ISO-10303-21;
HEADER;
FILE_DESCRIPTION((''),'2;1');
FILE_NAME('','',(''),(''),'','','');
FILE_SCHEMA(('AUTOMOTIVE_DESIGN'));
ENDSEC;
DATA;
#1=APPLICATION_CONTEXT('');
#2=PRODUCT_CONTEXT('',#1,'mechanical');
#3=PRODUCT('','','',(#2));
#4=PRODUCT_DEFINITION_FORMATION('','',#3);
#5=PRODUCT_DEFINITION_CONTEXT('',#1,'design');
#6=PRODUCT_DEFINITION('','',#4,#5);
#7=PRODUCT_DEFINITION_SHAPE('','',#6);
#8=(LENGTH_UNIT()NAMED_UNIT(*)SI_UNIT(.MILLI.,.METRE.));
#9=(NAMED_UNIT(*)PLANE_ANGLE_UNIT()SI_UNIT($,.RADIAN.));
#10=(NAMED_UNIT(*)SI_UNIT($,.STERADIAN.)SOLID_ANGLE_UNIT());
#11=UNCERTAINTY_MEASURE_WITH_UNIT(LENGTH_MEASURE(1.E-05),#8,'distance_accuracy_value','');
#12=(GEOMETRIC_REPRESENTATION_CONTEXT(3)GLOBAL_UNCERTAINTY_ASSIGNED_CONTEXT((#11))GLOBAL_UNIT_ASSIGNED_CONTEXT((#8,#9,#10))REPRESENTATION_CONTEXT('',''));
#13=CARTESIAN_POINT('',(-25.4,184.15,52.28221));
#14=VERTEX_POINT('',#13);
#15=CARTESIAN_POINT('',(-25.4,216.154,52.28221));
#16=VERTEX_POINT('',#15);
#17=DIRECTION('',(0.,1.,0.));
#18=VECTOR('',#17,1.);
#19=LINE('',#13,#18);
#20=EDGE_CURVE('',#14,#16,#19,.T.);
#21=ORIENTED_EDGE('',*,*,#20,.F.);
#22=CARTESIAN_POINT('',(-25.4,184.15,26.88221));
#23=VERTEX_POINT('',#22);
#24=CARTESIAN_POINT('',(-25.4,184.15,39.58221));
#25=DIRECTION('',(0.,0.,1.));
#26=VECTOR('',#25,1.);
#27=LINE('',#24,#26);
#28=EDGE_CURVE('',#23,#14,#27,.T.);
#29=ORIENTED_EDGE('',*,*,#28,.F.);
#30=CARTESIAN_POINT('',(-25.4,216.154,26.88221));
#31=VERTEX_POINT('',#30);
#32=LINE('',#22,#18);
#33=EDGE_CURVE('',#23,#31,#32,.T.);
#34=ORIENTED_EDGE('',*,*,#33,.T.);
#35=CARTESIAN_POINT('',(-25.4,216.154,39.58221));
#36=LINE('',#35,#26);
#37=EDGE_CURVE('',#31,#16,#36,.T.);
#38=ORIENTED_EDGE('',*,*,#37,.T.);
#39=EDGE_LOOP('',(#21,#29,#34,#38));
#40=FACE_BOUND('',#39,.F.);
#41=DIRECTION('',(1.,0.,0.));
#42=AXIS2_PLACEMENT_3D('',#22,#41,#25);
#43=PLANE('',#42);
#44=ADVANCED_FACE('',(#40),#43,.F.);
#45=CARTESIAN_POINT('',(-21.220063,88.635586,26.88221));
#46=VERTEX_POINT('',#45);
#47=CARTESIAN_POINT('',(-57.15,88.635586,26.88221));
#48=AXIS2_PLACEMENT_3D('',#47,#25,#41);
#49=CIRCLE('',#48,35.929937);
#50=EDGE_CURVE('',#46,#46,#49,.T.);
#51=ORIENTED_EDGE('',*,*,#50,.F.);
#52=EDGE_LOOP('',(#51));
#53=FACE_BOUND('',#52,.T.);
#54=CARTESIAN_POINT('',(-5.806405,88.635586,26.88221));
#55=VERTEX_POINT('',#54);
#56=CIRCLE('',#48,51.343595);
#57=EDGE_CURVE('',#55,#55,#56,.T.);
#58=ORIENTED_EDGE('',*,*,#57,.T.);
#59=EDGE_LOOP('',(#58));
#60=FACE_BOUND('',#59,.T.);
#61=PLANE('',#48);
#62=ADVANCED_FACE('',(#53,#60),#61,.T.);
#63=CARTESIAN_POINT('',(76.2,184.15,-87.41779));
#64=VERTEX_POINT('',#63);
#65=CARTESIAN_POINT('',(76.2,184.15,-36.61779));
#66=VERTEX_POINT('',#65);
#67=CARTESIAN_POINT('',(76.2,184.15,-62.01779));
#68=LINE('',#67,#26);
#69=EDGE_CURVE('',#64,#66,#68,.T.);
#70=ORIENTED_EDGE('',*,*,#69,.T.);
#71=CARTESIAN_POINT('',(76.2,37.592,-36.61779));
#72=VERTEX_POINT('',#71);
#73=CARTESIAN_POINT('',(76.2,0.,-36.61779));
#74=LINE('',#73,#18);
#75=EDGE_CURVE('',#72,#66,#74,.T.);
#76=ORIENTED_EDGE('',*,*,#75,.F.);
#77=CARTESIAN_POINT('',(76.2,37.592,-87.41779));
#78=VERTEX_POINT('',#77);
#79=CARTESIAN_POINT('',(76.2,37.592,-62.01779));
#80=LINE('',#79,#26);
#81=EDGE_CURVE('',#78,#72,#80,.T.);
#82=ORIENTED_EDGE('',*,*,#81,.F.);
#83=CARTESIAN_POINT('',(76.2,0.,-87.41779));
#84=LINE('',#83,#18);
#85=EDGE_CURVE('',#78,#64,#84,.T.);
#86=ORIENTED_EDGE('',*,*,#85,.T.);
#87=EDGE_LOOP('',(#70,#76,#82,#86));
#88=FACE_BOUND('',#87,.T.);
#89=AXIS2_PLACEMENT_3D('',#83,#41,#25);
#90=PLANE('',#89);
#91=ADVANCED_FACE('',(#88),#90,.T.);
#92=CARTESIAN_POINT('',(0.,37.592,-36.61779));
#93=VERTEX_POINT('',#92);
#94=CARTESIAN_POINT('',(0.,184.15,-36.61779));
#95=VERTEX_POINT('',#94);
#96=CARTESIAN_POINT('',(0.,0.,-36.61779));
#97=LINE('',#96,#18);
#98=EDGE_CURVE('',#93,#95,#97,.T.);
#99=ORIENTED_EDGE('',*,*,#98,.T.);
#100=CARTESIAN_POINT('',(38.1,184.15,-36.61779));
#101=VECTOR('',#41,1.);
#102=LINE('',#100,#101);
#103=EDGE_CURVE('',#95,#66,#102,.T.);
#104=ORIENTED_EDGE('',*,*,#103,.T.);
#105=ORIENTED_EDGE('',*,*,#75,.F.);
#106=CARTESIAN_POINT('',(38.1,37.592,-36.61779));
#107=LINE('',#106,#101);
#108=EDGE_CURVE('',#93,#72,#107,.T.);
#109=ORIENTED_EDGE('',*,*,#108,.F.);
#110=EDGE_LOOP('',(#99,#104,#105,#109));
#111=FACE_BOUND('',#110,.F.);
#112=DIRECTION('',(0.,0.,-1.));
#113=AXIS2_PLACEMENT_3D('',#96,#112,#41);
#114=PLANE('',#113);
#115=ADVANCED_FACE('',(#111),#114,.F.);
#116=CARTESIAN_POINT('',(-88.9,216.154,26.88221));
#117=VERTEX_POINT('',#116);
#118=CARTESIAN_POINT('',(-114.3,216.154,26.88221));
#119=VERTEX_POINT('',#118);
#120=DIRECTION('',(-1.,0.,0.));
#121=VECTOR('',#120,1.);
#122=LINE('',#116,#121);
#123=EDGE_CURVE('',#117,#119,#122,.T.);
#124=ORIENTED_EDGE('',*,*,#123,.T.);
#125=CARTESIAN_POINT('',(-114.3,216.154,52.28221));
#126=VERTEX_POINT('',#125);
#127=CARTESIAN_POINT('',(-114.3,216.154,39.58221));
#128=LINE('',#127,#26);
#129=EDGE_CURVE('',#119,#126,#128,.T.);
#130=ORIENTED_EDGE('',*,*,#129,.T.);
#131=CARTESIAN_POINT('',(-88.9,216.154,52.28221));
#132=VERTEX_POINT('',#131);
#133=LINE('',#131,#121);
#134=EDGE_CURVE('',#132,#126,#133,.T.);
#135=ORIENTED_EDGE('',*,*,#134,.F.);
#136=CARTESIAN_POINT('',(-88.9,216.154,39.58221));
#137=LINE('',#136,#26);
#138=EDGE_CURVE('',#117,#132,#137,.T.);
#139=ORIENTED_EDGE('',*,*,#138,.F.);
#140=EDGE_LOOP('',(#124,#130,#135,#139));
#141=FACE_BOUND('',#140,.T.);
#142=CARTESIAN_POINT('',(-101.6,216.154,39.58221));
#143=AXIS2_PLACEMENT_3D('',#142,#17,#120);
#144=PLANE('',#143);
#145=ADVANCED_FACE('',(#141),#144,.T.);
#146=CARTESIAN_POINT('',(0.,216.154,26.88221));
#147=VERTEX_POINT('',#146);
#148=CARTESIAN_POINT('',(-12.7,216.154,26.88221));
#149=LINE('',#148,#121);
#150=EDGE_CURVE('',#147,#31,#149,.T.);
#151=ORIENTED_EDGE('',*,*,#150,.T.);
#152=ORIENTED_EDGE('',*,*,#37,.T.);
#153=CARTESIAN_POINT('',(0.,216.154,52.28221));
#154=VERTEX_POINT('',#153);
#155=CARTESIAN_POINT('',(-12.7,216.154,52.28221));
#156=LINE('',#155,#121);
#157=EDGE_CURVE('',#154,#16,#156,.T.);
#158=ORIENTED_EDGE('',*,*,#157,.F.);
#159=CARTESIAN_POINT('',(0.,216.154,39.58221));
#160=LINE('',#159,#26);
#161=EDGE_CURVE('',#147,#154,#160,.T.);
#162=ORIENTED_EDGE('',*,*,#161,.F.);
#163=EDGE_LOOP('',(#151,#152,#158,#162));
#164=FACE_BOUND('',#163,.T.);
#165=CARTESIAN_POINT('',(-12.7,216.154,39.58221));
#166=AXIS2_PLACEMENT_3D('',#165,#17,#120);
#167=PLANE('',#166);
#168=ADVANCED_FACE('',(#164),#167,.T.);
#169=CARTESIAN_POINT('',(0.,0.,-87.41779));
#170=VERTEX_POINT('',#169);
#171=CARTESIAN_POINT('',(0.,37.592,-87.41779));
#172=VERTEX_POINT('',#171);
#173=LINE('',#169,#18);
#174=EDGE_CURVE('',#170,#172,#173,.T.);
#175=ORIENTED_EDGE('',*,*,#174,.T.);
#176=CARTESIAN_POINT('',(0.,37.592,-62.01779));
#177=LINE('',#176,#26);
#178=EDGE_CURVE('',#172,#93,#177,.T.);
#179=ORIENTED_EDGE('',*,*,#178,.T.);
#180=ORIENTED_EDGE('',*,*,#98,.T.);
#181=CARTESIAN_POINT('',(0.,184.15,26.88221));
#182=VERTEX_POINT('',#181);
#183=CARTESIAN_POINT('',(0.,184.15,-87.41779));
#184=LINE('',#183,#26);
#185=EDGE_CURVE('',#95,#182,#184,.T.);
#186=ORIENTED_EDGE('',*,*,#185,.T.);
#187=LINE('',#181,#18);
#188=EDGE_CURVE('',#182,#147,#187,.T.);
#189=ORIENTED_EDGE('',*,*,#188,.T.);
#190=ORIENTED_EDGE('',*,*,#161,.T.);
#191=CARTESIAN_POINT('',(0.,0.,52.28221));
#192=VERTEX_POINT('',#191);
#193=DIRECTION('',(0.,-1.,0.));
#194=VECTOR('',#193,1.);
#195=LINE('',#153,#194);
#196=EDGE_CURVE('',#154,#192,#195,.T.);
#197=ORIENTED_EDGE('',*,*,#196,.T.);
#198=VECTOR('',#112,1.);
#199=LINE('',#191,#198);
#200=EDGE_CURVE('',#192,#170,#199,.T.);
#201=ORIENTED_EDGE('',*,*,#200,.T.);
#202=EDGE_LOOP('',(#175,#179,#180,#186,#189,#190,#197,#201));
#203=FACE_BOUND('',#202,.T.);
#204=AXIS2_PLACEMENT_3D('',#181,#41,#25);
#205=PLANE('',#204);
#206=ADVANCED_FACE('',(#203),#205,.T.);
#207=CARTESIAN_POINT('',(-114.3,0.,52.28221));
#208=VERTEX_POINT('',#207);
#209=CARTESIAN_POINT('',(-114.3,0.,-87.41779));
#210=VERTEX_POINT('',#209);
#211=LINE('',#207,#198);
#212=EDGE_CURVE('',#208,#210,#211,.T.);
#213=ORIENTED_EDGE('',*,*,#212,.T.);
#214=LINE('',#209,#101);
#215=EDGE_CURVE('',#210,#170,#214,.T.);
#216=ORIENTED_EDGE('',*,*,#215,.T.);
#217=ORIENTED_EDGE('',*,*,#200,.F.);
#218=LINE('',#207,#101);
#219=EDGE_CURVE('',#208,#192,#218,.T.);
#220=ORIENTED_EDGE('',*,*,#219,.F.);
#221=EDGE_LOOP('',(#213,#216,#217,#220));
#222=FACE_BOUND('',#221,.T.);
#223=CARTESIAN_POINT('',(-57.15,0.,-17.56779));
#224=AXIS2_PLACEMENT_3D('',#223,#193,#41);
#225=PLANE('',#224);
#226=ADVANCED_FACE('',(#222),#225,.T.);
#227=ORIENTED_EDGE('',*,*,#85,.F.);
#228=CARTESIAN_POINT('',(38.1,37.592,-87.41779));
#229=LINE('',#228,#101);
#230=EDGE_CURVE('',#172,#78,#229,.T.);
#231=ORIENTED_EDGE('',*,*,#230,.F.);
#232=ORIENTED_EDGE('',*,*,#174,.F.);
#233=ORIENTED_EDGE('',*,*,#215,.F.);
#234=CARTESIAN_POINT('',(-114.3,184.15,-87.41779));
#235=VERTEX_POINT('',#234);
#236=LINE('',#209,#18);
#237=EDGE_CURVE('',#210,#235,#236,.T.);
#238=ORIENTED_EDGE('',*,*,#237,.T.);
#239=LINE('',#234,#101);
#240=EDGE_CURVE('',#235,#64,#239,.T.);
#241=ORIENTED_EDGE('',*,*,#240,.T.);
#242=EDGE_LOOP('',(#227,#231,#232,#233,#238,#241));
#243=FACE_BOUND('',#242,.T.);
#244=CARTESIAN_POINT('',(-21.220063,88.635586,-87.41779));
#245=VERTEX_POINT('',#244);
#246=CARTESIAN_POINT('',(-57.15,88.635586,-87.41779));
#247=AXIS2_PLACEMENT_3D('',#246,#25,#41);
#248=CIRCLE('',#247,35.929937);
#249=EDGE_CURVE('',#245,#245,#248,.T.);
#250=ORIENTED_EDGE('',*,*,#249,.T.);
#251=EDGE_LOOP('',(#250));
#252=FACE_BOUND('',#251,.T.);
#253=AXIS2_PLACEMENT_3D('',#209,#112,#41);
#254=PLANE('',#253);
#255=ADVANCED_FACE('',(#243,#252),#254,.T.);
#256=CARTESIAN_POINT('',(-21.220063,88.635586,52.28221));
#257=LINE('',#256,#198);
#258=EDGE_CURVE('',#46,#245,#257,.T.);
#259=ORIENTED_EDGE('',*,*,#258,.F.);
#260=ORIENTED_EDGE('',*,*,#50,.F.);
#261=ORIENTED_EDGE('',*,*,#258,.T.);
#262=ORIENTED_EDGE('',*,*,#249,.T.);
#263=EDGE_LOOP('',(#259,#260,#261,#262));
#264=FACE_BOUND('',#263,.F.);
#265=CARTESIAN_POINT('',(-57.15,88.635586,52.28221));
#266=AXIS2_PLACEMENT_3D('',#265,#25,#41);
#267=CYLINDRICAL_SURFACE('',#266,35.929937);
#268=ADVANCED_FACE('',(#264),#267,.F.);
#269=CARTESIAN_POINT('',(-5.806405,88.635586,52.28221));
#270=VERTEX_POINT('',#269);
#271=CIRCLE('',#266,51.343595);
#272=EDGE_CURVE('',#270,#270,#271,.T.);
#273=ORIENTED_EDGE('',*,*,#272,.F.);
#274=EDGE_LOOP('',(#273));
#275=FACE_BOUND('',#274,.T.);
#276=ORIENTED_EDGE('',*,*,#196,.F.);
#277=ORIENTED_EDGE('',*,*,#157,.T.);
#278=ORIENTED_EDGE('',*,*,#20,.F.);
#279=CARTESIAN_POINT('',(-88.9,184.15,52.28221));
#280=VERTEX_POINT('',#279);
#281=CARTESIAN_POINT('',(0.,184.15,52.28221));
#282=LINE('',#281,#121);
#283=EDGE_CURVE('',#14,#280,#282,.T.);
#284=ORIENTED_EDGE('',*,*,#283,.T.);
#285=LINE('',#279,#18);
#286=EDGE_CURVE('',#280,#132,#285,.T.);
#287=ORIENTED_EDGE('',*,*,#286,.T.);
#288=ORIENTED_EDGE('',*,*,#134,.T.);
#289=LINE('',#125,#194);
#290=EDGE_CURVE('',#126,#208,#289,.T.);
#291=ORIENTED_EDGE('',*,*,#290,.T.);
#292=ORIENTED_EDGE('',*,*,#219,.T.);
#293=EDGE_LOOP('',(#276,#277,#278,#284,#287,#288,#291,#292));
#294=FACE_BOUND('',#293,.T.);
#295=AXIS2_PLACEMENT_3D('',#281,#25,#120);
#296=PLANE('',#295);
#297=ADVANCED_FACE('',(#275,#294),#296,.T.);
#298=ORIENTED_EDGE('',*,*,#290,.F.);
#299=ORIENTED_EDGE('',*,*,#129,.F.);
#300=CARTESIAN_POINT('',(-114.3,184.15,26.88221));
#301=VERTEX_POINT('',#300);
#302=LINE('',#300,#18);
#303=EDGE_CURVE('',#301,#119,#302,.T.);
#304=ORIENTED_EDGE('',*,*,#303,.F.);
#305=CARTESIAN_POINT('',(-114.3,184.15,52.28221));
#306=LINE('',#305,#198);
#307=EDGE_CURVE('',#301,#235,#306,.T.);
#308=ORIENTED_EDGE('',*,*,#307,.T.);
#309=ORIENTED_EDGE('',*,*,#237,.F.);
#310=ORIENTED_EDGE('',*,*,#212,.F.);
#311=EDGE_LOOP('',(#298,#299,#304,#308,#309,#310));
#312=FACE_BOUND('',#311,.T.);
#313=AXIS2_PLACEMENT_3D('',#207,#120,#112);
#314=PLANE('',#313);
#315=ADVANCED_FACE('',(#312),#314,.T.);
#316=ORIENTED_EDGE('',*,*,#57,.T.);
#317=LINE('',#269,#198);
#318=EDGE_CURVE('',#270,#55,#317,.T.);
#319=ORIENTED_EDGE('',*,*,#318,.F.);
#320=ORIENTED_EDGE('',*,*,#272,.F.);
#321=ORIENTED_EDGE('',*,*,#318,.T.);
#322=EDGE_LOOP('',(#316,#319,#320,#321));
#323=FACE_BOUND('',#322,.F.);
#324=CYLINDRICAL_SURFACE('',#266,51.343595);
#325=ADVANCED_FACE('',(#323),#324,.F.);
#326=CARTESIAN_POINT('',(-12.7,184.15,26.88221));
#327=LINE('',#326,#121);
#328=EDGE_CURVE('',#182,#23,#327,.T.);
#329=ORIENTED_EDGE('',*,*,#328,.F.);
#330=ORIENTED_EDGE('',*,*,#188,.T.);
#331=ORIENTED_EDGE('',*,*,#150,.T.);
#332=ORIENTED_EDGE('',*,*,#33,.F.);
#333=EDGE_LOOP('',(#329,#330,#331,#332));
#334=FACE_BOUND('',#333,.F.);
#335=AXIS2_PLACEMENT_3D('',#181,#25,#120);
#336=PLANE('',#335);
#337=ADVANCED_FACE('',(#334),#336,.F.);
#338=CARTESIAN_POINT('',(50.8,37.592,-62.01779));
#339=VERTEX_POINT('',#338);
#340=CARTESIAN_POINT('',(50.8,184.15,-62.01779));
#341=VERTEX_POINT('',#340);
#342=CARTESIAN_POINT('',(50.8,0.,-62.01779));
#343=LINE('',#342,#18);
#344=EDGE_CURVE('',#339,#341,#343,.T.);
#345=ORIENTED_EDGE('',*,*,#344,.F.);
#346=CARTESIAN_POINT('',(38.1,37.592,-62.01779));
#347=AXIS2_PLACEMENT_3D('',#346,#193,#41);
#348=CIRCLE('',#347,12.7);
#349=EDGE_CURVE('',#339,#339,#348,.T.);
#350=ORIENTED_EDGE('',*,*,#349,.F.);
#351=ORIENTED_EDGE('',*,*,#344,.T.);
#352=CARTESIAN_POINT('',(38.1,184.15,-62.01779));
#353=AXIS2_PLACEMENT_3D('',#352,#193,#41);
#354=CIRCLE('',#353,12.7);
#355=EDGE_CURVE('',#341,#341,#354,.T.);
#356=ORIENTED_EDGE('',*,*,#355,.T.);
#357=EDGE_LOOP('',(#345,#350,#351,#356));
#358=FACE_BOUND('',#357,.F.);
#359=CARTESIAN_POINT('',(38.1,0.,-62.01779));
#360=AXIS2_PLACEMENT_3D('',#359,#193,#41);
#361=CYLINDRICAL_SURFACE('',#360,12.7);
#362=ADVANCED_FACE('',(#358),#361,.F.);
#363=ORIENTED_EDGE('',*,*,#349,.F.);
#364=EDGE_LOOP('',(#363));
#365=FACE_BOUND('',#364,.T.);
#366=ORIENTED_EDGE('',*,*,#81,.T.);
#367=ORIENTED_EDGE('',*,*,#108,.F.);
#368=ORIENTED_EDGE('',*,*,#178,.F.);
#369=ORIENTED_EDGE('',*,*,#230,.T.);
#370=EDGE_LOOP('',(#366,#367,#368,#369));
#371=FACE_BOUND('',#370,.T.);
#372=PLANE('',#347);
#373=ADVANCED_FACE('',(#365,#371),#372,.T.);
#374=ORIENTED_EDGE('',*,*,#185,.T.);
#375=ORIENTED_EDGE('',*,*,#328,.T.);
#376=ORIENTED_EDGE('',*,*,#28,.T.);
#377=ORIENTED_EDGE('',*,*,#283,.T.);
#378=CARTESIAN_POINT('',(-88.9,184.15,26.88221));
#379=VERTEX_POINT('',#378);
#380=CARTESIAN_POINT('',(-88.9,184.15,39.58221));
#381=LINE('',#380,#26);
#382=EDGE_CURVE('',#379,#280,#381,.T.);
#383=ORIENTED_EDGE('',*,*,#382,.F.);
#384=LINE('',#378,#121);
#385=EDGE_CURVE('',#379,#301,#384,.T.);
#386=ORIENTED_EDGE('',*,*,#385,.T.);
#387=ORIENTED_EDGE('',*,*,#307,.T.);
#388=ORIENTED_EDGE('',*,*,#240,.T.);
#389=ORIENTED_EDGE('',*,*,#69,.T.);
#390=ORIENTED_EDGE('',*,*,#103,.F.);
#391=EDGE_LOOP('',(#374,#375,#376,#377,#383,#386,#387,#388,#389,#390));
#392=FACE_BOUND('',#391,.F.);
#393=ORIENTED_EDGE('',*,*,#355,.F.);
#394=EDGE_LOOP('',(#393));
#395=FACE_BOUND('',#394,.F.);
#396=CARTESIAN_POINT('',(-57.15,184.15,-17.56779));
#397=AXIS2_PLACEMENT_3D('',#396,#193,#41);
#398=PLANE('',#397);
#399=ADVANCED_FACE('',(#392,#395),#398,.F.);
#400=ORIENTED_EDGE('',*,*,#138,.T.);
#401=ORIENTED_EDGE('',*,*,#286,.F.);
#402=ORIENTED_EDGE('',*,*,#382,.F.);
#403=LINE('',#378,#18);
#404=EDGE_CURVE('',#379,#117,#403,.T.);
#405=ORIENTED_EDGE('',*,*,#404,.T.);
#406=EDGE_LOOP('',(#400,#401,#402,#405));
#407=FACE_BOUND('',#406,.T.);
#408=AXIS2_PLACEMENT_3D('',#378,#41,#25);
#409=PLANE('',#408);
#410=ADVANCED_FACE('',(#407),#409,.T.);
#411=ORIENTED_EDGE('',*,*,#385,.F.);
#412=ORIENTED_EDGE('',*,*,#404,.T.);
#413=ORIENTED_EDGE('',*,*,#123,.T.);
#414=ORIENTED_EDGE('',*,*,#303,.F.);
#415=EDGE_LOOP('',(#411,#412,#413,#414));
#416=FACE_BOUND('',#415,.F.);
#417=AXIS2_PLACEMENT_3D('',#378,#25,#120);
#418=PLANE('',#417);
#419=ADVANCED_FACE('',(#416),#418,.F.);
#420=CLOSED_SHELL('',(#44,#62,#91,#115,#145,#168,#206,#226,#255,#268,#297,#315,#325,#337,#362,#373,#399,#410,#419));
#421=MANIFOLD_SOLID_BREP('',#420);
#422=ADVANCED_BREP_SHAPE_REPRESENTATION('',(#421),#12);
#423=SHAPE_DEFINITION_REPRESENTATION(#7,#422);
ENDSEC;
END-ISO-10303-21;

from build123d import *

# Parameters (mm, degrees)
F0_W      = 76.2
F0_H      = 50.8
F0_R      = 12.7
F1_DEPTH  = 184.15
F2_R      = 51.343595
F2_R_2    = 35.929937
F3_DEPTH  = 25.4
F3_FACE_R = 35.929937
F4_DEPTH  = 311.15
F5_W      = 25.4
F5_H      = 25.4
F6_DEPTH  = 32.004
F7_W      = 76.2
F7_H      = 50.8
F7_R      = 12.7
F8_DEPTH  = 37.592
F9_DEPTH  = 0.762


with BuildPart() as f1:
    # F0 (on Front) → F1 (new body)
    with BuildSketch(Plane.XZ):
        Polygon((0, 52.28221), (-114.3, 52.28221), (-114.3, -87.41779), (0, -87.41779), (0, -36.61779), align=None)
        with Locations((38.1, -62.01779)):
            Rectangle(F0_W, F0_H)
        with Locations((38.1, -62.01779)):
            Circle(F0_R, mode=Mode.SUBTRACT)
    extrude(amount=-F1_DEPTH)

    # F2 (on face) → F3 (cut)
    with BuildSketch(Plane.XY.offset(52.28221)):
        with Locations((-57.15, 88.635586)):
            Circle(F2_R)
        with Locations((-57.15, 88.635586)):
            Circle(F2_R_2, mode=Mode.SUBTRACT)
    extrude(amount=-F3_DEPTH, mode=Mode.SUBTRACT)

    # F3_face (on face) → F4 (cut)
    with BuildSketch(Plane(origin=(-57.15, 88.635586, 52.28221), x_dir=(1, 0, 0), z_dir=(0, 0, 1))):
        Circle(F3_FACE_R)
    extrude(amount=-F4_DEPTH, mode=Mode.SUBTRACT)

    # F5 (on face) → F6 (join)
    with BuildSketch(Plane(origin=(0, 184.15, 0), x_dir=(-1, 0, 0), z_dir=(0, 1, 0))):
        with Locations((12.7, 39.58221)):
            Rectangle(F5_W, F5_H)
        with Locations((101.6, 39.58221)):
            Rectangle(F5_W, F5_H)
    extrude(amount=F6_DEPTH)

    # F7 (on face) → F8 (cut)
    with BuildSketch(Plane.XZ):
        with Locations((38.1, -62.01779)):
            Rectangle(F7_W, F7_H)
        with Locations((38.1, -62.01779)):
            Circle(F7_R, mode=Mode.SUBTRACT)
    extrude(amount=-F8_DEPTH, mode=Mode.SUBTRACT)

    # F6_face (on face) → F9 (join)
    with BuildSketch(Plane(origin=(-114.3, 95.38549, -15.817237), x_dir=(0, -1, 0), z_dir=(-1, 0, 0))):
        Polygon((95.38549, 68.099447), (-120.76851, 68.099447), (-120.76851, 42.699447), (-88.76451, 42.699447), (-88.76451, -71.600553), (95.38549, -71.600553), align=None)
    extrude(amount=-F9_DEPTH)


solid = f1.part
